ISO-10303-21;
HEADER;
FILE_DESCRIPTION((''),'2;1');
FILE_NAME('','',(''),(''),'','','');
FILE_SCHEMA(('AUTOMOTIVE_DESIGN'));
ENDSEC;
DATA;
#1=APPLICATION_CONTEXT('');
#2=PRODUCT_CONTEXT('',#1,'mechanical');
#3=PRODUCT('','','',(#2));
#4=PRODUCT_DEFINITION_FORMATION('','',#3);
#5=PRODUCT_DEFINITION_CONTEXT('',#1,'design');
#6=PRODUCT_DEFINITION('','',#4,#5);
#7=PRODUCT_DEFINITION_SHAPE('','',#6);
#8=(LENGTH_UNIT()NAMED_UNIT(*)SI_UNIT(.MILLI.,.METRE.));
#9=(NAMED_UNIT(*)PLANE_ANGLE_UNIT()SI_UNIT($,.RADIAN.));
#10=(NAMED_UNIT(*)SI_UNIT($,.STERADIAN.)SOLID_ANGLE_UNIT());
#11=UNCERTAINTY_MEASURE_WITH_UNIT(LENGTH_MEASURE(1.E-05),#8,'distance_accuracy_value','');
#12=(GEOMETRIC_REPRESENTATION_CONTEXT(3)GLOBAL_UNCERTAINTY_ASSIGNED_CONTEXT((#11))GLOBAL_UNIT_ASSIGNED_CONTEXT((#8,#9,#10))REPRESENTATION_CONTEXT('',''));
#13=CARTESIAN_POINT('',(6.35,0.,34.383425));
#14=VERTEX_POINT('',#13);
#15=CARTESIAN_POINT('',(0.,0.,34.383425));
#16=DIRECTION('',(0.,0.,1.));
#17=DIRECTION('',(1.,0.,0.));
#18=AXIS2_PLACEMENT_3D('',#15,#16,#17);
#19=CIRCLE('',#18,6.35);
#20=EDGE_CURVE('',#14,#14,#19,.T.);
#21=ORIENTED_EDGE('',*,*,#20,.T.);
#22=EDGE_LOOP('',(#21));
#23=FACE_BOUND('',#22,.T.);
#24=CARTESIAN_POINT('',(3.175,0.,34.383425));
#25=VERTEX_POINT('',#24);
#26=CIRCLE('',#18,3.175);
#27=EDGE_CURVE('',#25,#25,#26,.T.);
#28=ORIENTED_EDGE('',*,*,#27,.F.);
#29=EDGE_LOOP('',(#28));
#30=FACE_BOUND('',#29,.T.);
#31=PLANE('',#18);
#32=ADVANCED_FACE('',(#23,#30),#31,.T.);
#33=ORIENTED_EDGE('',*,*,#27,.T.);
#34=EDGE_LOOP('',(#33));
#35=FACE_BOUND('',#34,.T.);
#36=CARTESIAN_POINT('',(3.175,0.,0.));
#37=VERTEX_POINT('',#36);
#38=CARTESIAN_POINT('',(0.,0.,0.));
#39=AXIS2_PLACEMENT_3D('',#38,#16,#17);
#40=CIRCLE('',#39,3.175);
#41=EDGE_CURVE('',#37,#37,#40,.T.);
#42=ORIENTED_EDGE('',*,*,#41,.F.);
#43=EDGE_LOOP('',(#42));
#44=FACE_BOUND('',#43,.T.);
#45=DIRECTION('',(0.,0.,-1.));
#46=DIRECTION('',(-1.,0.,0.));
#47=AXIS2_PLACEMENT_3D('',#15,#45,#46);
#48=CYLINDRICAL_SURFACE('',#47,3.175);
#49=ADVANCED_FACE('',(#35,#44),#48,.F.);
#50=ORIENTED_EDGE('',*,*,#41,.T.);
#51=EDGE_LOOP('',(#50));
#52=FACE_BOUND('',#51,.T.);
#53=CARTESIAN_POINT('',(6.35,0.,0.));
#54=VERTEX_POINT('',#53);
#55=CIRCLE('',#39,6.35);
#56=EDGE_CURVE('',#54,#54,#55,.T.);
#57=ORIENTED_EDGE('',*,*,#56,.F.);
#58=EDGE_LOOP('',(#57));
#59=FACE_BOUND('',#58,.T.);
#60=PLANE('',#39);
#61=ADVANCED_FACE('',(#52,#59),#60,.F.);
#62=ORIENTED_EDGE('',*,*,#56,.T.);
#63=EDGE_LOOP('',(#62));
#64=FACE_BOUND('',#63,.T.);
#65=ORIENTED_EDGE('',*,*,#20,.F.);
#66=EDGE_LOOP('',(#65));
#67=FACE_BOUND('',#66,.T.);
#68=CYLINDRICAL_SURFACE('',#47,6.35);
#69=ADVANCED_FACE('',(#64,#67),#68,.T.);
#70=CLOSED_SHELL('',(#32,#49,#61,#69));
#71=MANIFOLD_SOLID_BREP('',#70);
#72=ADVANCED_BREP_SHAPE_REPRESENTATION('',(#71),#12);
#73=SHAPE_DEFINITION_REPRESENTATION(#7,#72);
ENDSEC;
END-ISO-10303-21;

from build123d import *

# Parameters (mm, degrees)
SKETCH2_R           = 6.35
SKETCH2_R_2         = 3.175
BOSS_EXTRUDE1_DEPTH = 34.383424502


with BuildPart() as part:
    # Sketch2 → Boss-Extrude1 (new body)
    with BuildSketch(Plane.XY):
        Circle(SKETCH2_R)
        Circle(SKETCH2_R_2, mode=Mode.SUBTRACT)
    extrude(amount=BOSS_EXTRUDE1_DEPTH)


solid = part.part
